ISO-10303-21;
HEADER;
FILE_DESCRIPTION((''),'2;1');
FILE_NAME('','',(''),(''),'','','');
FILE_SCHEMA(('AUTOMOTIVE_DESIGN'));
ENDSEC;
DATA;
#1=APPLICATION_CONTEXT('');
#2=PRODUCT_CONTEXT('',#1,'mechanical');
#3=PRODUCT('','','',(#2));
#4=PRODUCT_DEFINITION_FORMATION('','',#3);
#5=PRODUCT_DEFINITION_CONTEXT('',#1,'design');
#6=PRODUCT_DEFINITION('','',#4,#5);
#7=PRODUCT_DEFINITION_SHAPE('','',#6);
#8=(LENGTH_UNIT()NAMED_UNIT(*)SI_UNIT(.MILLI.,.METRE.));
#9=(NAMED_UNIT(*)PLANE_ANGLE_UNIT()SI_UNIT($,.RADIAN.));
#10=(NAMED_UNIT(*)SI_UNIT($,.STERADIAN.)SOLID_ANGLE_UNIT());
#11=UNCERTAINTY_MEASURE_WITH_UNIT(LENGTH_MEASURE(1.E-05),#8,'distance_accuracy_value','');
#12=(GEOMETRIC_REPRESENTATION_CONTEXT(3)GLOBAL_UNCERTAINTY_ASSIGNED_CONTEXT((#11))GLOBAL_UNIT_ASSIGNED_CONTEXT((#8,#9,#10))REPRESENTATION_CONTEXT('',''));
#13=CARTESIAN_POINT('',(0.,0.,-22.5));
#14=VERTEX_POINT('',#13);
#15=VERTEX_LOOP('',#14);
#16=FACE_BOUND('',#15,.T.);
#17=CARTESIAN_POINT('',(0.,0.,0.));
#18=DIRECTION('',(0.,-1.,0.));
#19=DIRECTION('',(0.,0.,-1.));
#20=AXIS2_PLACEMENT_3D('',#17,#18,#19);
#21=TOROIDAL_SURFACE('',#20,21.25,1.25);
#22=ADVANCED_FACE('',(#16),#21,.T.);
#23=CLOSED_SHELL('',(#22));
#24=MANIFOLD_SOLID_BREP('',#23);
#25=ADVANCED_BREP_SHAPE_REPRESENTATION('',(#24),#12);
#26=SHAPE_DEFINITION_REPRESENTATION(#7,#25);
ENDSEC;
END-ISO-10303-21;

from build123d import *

# Parameters (mm, degrees)
SKETCH_1_R = 1.25


with BuildPart() as part:
    # Эскиз1 → Повернуть1 (revolve)
    with BuildSketch(Plane.XY, mode=Mode.PRIVATE) as revolve_1_sk:
        with Locations((-21.25, 0)):
            Circle(SKETCH_1_R)
    revolve(revolve_1_sk.sketch.rotate(Axis((0, 0, 0), (0, 1, 0)), 270), axis=Axis((0, 0, 0), (0, 1, 0)))


solid = part.part
